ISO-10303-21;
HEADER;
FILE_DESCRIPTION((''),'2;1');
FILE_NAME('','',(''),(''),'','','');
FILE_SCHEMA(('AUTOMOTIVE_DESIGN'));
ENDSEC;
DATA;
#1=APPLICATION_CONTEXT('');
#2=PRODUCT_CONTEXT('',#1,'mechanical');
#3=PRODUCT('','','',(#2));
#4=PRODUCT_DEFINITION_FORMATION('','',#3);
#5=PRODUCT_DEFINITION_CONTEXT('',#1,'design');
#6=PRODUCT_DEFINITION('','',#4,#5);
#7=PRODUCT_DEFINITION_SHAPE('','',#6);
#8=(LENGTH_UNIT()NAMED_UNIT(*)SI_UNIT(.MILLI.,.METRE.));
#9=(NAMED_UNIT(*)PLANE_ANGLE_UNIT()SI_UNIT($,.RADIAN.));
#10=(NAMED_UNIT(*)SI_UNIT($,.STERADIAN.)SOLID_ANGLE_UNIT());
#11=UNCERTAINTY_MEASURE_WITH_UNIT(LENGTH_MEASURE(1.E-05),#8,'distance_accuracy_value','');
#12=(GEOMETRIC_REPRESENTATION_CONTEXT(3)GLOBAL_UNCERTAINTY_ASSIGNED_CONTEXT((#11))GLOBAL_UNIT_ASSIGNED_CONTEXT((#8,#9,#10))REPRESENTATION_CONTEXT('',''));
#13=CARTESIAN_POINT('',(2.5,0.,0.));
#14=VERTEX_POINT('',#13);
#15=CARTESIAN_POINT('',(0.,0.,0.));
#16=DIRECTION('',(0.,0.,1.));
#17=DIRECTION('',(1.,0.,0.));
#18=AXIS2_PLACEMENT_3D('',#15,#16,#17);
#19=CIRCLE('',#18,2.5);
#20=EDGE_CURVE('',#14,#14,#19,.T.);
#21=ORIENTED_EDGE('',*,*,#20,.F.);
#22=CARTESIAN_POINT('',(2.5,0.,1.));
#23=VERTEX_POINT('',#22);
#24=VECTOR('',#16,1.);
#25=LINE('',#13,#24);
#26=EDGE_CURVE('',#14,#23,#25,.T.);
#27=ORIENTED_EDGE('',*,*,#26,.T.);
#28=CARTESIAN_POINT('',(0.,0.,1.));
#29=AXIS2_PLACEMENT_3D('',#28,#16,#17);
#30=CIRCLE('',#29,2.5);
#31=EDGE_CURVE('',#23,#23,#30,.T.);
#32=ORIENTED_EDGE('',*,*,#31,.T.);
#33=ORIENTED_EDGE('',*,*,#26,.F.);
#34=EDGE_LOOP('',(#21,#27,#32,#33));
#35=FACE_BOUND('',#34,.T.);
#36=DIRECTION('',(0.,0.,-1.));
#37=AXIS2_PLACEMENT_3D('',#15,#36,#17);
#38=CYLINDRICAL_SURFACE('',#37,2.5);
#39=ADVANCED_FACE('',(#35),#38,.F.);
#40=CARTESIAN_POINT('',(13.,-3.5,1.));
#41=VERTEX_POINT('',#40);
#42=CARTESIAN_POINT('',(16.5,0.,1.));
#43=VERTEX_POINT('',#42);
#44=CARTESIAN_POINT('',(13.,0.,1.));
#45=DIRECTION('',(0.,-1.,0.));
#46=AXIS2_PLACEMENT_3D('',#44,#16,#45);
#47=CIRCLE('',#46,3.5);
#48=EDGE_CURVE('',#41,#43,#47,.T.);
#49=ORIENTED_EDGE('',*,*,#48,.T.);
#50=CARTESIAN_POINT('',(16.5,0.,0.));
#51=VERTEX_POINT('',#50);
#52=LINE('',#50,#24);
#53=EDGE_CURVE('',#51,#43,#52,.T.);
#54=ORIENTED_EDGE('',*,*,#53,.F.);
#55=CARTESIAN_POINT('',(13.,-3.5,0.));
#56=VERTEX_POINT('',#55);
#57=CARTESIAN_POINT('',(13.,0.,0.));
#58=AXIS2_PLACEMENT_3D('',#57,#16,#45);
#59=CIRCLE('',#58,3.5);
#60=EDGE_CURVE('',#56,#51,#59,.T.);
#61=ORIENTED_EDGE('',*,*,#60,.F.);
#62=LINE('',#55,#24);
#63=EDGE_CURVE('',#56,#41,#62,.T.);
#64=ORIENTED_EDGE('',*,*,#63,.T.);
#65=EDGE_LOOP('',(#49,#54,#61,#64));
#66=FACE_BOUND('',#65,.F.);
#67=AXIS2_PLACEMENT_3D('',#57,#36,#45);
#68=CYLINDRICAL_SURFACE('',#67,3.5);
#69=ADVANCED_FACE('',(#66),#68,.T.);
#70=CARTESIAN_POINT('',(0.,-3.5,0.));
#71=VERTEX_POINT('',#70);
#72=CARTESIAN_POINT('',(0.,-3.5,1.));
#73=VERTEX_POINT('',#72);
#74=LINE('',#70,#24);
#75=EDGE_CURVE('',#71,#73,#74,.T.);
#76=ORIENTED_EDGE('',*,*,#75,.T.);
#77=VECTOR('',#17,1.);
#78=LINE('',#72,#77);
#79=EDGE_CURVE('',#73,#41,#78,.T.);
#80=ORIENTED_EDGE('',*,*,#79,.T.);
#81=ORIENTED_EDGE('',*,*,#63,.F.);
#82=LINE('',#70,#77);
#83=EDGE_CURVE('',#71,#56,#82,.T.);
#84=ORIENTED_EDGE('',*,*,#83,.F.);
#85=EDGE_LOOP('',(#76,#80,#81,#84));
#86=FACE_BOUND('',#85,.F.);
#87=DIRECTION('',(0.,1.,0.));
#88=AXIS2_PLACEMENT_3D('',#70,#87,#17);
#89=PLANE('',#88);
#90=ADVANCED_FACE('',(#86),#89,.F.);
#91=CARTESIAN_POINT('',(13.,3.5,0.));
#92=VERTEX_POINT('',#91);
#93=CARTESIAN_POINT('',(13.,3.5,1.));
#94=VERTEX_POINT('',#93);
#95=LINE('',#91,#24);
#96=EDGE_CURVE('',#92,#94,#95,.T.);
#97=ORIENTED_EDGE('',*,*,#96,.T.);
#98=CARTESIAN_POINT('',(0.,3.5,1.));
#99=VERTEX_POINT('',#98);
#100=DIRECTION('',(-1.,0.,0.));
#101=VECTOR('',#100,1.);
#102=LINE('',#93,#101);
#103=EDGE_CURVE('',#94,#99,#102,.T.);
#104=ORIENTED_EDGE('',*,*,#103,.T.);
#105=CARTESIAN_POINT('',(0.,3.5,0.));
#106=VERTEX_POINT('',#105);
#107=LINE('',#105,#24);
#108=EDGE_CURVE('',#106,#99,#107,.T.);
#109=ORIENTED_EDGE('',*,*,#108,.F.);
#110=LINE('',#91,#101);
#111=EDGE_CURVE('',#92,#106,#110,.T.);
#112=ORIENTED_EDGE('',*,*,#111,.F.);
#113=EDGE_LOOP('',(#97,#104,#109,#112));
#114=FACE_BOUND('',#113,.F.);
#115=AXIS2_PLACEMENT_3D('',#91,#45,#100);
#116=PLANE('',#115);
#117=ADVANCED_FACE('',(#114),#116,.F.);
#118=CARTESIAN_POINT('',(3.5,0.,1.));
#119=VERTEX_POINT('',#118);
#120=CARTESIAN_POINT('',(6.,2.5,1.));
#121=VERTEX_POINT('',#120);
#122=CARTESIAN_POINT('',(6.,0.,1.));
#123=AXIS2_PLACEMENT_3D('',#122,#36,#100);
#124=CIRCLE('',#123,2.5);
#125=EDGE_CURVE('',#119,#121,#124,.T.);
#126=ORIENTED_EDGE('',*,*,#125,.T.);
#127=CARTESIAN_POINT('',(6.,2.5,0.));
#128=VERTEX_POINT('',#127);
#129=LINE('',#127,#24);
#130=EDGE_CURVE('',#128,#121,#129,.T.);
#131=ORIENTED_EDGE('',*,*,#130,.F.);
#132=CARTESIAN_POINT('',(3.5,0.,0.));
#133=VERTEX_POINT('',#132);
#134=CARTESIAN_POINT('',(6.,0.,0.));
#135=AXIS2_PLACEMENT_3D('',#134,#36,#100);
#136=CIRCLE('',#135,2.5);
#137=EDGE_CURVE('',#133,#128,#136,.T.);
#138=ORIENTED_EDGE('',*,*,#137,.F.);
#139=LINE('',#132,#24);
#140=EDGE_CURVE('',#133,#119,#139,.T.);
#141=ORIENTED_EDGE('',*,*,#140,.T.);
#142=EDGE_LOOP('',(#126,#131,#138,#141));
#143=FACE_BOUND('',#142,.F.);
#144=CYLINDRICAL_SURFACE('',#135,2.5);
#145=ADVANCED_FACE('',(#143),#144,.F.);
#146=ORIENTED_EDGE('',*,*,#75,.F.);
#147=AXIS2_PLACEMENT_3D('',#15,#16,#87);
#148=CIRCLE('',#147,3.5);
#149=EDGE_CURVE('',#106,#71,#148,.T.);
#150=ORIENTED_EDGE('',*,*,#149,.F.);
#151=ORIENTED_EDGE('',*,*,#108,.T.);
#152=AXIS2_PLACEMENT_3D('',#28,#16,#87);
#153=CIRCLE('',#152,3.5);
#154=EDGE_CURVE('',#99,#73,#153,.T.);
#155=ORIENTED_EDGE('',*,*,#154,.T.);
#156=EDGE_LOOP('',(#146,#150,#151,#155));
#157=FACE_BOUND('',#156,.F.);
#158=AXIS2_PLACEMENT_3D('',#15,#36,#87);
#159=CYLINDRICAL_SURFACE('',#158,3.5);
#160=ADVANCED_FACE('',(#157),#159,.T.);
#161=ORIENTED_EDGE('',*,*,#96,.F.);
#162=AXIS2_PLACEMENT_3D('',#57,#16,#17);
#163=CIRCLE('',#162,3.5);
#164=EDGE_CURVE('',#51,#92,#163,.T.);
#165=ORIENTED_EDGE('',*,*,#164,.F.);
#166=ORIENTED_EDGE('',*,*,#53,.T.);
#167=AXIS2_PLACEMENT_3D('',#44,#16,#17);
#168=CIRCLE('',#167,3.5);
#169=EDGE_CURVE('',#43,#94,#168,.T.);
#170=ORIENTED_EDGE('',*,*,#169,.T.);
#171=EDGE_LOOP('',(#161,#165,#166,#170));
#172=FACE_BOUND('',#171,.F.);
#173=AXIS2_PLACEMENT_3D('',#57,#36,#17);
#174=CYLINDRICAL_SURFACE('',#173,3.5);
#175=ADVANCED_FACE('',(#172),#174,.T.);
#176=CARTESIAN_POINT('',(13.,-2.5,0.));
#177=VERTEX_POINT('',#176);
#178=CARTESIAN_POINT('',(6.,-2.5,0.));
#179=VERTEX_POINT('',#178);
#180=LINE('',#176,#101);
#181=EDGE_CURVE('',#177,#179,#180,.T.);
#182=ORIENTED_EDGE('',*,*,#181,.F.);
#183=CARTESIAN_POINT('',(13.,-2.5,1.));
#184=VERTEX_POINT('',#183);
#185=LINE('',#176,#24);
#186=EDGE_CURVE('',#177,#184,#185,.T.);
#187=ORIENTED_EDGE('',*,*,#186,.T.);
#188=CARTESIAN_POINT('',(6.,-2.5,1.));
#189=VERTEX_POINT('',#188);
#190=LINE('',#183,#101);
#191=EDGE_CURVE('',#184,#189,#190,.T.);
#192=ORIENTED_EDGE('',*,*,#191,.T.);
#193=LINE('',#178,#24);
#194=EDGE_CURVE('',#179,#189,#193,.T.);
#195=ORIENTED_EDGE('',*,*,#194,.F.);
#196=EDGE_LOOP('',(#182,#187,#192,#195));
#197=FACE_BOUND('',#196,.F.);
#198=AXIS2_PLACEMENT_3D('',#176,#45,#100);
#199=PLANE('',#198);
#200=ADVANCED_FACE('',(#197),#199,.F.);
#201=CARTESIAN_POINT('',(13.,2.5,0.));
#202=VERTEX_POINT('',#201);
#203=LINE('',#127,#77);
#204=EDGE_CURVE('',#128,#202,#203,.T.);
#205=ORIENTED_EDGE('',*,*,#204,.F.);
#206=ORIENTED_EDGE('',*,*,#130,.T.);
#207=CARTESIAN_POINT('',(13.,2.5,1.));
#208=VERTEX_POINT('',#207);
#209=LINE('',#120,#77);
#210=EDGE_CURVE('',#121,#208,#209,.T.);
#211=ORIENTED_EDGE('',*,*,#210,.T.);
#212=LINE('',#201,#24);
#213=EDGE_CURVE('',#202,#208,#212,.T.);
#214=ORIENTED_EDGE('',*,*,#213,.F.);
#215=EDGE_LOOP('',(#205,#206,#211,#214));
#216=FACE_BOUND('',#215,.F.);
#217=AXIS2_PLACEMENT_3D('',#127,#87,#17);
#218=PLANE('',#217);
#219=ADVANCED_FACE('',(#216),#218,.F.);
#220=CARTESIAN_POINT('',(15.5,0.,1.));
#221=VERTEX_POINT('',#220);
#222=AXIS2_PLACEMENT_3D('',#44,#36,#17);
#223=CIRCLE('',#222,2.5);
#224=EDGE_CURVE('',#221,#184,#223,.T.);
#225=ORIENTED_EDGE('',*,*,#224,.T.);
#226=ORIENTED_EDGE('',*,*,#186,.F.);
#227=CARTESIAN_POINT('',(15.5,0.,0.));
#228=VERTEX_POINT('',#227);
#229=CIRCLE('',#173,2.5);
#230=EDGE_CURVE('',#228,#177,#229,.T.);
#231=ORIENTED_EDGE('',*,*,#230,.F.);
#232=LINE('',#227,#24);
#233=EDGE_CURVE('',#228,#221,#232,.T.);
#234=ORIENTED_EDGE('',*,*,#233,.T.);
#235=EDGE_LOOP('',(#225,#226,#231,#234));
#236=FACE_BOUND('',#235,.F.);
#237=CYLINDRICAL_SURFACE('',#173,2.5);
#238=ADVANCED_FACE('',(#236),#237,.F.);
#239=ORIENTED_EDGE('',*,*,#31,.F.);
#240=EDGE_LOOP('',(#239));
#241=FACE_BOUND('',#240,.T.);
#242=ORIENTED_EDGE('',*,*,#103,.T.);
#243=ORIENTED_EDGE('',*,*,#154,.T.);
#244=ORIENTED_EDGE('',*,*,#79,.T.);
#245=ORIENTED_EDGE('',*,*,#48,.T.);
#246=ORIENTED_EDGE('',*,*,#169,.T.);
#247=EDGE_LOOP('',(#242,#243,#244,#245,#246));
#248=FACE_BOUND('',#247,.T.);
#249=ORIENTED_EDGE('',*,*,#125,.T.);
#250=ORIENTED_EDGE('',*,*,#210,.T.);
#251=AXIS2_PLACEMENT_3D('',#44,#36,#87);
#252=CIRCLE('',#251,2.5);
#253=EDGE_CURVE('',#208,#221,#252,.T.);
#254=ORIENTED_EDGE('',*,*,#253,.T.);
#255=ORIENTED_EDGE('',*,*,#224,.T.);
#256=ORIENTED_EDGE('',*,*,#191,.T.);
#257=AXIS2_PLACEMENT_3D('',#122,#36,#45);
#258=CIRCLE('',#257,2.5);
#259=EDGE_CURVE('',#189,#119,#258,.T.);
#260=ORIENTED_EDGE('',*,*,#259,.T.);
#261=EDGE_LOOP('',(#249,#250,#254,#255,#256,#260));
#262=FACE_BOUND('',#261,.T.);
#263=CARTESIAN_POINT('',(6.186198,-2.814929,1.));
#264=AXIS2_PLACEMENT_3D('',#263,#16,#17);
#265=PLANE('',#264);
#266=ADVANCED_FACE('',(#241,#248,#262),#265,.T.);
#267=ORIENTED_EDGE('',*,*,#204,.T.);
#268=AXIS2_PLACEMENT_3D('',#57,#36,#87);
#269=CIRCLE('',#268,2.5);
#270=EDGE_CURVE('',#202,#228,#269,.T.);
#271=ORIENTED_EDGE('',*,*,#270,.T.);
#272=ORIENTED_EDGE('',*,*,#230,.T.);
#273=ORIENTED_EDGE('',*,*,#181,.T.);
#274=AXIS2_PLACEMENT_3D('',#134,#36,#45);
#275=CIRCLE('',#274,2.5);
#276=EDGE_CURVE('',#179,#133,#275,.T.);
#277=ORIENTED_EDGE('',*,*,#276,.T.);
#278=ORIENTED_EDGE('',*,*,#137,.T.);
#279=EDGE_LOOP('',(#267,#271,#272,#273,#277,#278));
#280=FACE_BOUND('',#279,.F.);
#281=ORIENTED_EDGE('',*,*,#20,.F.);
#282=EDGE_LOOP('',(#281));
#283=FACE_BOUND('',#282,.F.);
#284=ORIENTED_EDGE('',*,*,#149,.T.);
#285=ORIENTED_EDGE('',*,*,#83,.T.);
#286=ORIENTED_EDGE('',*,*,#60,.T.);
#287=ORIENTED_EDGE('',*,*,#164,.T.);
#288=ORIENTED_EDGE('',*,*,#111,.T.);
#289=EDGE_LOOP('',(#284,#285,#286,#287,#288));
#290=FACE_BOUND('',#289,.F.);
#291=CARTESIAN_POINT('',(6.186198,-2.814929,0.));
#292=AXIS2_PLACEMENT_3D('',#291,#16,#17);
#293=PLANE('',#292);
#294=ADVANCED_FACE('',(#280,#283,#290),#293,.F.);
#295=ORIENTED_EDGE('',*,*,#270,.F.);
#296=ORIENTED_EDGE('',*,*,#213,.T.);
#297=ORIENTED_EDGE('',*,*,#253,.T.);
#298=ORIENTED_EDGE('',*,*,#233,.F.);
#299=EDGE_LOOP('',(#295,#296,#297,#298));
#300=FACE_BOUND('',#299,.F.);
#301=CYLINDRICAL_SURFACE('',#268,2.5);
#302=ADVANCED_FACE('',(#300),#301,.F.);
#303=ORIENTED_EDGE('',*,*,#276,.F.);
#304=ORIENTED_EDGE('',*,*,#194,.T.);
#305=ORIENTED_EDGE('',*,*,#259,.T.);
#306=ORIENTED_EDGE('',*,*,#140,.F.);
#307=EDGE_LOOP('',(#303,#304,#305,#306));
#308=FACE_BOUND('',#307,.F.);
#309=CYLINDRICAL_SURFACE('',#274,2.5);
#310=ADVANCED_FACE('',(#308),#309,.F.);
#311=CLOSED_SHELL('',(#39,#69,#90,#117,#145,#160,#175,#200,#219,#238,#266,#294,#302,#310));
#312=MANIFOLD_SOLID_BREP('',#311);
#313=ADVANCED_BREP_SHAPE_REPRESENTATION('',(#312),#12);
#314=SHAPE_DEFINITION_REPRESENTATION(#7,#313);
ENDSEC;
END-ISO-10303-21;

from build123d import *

# Parameters (mm, degrees)
F0_R     = 2.5
F2_DEPTH = 1


with BuildPart() as f2:
    # F0 (on Top) → F2 (new body)
    with BuildSketch(Plane.XY):
        with BuildLine():
            ThreePointArc((6, -2.5), (4.232233047, -1.767766953), (3.5, 0))
            ThreePointArc((3.5, 0), (2.4748737342, -2.4748737342), (0, -3.5))
            Line((0, -3.5), (13, -3.5))
            ThreePointArc((13, -3.5), (11.6771243445, -3.2403703492), (10.5505102572, -2.5))
            Line((10.5505102572, -2.5), (6, -2.5))
        make_face()
        with BuildLine():
            ThreePointArc((16.5, 0), (15.4748737342, 2.4748737342), (13, 3.5))
            ThreePointArc((13, 3.5), (11.6771243445, 3.2403703492), (10.5505102572, 2.5))
            Line((10.5505102572, 2.5), (13, 2.5))
            ThreePointArc((13, 2.5), (14.767766953, 1.767766953), (15.5, 0))
            ThreePointArc((15.5, 0), (14.767766953, -1.767766953), (13, -2.5))
            Line((13, -2.5), (10.5505102572, -2.5))
            ThreePointArc((10.5505102572, -2.5), (11.6771243445, -3.2403703492), (13, -3.5))
            ThreePointArc((13, -3.5), (15.4748737342, -2.4748737342), (16.5, 0))
        make_face()
        with BuildLine():
            ThreePointArc((0, 3.5), (2.4748737342, 2.4748737342), (3.5, 0))
            ThreePointArc((3.5, 0), (4.232233047, 1.767766953), (6, 2.5))
            Line((6, 2.5), (10.5505102572, 2.5))
            ThreePointArc((10.5505102572, 2.5), (11.6771243445, 3.2403703492), (13, 3.5))
            Line((13, 3.5), (0, 3.5))
        make_face()
        with BuildLine():
            ThreePointArc((0, -3.5), (2.4748737342, -2.4748737342), (3.5, 0))
            ThreePointArc((3.5, 0), (2.4748737342, 2.4748737342), (0, 3.5))
            ThreePointArc((0, 3.5), (-3.5, 0), (0, -3.5))
        make_face()
        Circle(F0_R, mode=Mode.SUBTRACT)
    extrude(amount=F2_DEPTH)


solid = f2.part
